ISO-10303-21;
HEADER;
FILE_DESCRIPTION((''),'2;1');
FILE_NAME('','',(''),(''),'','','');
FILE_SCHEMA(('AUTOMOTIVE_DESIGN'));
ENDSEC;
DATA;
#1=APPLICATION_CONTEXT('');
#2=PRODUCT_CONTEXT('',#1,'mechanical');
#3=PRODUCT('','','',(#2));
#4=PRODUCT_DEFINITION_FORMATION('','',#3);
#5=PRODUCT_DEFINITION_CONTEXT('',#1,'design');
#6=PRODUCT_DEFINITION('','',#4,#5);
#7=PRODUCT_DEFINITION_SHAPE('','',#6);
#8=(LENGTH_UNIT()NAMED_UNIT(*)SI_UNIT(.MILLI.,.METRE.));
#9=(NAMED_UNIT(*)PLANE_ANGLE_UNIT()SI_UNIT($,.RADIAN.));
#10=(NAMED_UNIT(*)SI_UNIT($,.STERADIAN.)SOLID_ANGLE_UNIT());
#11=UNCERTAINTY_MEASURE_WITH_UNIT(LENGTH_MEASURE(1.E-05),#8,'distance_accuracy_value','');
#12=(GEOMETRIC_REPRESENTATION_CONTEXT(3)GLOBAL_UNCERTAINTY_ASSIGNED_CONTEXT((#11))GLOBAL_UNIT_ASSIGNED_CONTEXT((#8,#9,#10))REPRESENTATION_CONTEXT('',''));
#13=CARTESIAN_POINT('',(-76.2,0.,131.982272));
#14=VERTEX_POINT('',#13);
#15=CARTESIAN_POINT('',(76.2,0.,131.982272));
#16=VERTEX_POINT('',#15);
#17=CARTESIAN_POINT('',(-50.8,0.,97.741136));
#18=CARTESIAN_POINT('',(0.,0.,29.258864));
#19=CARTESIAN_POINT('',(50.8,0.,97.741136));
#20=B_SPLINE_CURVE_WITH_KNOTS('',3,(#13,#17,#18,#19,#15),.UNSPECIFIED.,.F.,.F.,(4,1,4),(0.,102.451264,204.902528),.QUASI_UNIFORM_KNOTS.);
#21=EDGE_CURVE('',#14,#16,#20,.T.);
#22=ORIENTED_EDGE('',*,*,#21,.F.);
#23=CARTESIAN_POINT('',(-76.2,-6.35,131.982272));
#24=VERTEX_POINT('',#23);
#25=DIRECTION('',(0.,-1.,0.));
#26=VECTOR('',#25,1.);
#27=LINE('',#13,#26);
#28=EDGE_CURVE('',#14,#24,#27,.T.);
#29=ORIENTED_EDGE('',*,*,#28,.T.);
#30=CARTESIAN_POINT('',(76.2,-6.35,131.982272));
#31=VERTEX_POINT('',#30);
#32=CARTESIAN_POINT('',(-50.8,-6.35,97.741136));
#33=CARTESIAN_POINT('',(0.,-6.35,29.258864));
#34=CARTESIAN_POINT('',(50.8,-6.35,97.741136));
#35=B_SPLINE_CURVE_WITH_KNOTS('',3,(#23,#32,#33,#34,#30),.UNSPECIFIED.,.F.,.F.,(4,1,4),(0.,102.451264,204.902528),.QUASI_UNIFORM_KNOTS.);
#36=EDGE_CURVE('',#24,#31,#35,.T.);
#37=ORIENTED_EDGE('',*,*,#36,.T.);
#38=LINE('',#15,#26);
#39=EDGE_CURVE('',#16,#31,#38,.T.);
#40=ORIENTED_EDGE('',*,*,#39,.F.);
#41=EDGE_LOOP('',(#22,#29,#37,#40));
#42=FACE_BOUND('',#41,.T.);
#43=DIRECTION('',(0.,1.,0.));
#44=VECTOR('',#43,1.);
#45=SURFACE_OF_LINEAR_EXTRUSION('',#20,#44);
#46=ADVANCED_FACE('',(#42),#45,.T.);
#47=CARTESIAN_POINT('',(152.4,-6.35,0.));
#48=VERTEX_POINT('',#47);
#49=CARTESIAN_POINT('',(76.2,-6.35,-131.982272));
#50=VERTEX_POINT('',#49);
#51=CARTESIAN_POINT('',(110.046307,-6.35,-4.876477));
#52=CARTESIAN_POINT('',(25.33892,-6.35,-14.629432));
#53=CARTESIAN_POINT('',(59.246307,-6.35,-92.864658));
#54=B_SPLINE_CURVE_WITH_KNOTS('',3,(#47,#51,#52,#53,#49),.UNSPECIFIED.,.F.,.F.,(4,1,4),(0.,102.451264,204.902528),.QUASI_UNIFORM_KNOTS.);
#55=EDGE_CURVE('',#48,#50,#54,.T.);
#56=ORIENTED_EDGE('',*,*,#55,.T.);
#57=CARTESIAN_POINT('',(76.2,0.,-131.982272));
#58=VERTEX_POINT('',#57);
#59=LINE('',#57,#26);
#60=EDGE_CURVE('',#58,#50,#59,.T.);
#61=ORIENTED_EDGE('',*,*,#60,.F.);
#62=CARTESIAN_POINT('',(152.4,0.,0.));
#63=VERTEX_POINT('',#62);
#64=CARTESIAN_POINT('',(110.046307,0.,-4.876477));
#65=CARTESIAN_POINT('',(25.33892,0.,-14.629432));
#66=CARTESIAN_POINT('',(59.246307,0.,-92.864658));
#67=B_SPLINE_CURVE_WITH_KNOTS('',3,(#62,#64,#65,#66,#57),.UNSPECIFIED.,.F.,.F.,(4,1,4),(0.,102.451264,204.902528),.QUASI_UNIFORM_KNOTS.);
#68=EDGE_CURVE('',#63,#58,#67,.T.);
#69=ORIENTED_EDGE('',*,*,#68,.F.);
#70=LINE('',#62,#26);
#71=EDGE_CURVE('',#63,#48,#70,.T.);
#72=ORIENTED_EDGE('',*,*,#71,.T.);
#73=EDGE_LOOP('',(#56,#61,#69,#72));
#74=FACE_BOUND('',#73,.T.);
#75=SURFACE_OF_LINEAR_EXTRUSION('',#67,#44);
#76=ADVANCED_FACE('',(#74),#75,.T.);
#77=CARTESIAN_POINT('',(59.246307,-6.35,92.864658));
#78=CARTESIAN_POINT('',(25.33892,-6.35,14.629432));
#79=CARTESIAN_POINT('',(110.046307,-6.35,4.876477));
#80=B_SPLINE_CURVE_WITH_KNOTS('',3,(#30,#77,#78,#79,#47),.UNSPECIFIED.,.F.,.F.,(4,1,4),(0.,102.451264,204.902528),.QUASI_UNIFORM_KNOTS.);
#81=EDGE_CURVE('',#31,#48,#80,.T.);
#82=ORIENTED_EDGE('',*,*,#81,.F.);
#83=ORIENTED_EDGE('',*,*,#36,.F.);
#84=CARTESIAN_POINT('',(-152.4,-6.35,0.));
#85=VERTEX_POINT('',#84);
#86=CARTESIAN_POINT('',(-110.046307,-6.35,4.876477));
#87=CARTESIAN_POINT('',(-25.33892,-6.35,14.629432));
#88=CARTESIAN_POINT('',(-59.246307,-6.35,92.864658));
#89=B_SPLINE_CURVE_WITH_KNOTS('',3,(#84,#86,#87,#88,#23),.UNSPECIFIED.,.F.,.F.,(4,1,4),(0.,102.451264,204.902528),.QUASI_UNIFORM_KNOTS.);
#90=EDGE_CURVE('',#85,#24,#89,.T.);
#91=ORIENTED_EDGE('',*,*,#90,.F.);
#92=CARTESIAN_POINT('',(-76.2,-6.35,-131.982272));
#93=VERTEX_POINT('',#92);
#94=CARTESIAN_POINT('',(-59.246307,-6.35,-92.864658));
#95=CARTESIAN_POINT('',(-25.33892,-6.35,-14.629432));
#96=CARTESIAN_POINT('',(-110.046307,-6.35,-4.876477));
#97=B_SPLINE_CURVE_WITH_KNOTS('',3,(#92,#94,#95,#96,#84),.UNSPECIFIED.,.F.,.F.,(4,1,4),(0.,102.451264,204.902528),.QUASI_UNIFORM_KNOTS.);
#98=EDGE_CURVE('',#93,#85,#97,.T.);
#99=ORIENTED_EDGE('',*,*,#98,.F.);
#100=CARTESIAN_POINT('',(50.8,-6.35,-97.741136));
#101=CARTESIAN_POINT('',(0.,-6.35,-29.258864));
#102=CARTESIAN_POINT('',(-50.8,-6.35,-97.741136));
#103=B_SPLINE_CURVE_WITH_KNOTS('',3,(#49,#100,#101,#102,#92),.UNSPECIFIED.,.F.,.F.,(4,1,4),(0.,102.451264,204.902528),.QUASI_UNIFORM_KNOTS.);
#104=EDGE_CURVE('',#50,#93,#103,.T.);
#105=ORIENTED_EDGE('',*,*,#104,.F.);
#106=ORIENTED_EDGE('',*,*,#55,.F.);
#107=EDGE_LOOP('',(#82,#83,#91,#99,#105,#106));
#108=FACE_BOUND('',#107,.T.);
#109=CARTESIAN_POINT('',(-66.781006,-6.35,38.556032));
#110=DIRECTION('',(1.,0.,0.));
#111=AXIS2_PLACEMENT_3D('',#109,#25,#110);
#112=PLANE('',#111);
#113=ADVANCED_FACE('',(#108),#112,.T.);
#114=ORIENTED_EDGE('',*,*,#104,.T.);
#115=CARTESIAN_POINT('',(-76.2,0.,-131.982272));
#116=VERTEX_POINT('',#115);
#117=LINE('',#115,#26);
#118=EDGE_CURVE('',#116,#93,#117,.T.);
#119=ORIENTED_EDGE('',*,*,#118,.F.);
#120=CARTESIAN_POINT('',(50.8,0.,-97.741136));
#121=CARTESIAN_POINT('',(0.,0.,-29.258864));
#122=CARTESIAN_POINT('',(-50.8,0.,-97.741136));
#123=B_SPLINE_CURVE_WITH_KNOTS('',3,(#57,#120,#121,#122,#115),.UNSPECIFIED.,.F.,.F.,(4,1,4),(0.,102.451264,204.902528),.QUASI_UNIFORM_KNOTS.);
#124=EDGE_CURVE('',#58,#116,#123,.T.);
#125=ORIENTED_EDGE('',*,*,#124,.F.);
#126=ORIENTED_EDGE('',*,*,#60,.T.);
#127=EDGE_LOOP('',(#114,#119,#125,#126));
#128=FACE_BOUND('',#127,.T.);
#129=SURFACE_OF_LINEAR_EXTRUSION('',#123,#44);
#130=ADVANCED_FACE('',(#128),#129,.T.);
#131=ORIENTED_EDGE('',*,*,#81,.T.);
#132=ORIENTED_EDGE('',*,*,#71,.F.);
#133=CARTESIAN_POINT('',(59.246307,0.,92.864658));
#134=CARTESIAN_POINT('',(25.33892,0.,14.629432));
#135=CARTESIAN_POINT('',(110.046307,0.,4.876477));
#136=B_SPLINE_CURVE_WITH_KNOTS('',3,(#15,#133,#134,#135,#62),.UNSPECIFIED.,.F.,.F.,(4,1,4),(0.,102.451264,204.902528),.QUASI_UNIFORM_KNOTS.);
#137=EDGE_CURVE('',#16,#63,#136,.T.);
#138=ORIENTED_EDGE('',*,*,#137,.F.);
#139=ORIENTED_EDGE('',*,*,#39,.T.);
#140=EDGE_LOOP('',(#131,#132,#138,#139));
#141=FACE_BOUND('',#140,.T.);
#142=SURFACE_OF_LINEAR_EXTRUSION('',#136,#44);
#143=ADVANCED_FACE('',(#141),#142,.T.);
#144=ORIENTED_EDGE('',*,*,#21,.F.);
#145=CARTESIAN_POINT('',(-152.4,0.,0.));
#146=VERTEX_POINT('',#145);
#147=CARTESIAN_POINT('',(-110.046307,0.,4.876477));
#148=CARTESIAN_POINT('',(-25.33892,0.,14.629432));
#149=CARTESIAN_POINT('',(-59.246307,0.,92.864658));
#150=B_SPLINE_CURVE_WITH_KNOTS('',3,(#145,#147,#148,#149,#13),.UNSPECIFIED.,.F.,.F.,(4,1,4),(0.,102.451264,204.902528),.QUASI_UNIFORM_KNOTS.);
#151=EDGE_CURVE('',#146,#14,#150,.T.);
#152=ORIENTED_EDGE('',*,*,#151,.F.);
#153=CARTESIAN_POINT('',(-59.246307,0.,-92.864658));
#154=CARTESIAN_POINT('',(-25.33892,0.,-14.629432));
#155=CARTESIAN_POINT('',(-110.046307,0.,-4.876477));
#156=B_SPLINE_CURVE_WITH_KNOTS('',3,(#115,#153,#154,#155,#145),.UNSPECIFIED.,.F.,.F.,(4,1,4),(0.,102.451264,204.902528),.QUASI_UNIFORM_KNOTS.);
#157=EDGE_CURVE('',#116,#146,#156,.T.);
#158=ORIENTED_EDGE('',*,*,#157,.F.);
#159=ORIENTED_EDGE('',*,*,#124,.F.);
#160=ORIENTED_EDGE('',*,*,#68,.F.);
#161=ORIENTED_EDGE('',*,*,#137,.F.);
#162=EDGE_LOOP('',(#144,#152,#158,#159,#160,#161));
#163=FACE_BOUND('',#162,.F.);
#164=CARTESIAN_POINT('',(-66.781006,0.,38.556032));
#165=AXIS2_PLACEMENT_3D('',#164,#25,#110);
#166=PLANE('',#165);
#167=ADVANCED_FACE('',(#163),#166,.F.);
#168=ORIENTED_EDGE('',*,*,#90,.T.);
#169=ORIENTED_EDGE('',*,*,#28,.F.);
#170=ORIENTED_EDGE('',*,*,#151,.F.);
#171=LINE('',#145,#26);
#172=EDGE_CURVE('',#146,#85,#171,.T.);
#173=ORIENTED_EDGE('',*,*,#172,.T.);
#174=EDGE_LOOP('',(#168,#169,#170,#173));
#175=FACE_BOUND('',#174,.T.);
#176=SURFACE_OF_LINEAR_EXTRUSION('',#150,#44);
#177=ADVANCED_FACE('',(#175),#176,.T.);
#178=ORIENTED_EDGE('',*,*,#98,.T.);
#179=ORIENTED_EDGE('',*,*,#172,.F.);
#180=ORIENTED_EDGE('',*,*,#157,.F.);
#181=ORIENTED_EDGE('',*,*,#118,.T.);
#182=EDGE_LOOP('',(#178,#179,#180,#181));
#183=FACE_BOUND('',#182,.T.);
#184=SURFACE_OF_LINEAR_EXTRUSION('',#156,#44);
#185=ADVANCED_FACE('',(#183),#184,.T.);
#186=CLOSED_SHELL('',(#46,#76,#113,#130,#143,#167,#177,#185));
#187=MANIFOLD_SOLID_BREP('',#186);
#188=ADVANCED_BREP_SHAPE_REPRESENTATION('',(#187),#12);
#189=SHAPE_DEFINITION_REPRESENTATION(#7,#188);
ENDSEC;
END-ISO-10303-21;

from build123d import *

# Parameters (mm, degrees)
F1_DEPTH = 6.35


with BuildPart() as f1:
    # F0 (on Front) → F1 (new body)
    with BuildSketch(Plane.XZ):
        with BuildLine():
            Line((-152.4, 0), (0, 0))
            Line((0, 0), (-76.2, 131.982272))
            add(Edge.make_bspline(
                [(-152.4, 0), (-110.046307, 4.876477), (-25.33892, 14.629432), (-59.246307, 92.864658), (-76.2, 131.982272)],
                knots=[0, 0, 0, 0, 102.451264, 204.902528, 204.902528, 204.902528, 204.902528], degree=3))
        make_face()
        with BuildLine():
            Line((0, 0), (76.2, 131.982272))
            add(Edge.make_bspline(
                [(-76.2, 131.982272), (-50.8, 97.741136), (0, 29.258864), (50.8, 97.741136), (76.2, 131.982272)],
                knots=[0, 0, 0, 0, 102.451264, 204.902528, 204.902528, 204.902528, 204.902528], degree=3))
            Line((-76.2, 131.982272), (0, 0))
        make_face()
        with BuildLine():
            Line((0, 0), (152.4, 0))
            add(Edge.make_bspline(
                [(76.2, 131.982272), (59.246307, 92.864658), (25.33892, 14.629432), (110.046307, 4.876477), (152.4, 0)],
                knots=[0, 0, 0, 0, 102.451264, 204.902528, 204.902528, 204.902528, 204.902528], degree=3))
            Line((76.2, 131.982272), (0, 0))
        make_face()
        with BuildLine():
            add(Edge.make_bspline(
                [(152.4, 0), (110.046307, -4.876477), (25.33892, -14.629432), (59.246307, -92.864658), (76.2, -131.982272)],
                knots=[0, 0, 0, 0, 102.451264, 204.902528, 204.902528, 204.902528, 204.902528], degree=3))
            Line((152.4, 0), (0, 0))
            Line((0, 0), (76.2, -131.982272))
        make_face()
        with BuildLine():
            add(Edge.make_bspline(
                [(76.2, -131.982272), (50.8, -97.741136), (0, -29.258864), (-50.8, -97.741136), (-76.2, -131.982272)],
                knots=[0, 0, 0, 0, 102.451264, 204.902528, 204.902528, 204.902528, 204.902528], degree=3))
            Line((76.2, -131.982272), (0, 0))
            Line((0, 0), (-76.2, -131.982272))
        make_face()
        with BuildLine():
            Line((-76.2, -131.982272), (0, 0))
            Line((0, 0), (-152.4, 0))
            add(Edge.make_bspline(
                [(-76.2, -131.982272), (-59.246307, -92.864658), (-25.33892, -14.629432), (-110.046307, -4.876477), (-152.4, 0)],
                knots=[0, 0, 0, 0, 102.451264, 204.902528, 204.902528, 204.902528, 204.902528], degree=3))
        make_face()
    extrude(amount=F1_DEPTH)


solid = f1.part
